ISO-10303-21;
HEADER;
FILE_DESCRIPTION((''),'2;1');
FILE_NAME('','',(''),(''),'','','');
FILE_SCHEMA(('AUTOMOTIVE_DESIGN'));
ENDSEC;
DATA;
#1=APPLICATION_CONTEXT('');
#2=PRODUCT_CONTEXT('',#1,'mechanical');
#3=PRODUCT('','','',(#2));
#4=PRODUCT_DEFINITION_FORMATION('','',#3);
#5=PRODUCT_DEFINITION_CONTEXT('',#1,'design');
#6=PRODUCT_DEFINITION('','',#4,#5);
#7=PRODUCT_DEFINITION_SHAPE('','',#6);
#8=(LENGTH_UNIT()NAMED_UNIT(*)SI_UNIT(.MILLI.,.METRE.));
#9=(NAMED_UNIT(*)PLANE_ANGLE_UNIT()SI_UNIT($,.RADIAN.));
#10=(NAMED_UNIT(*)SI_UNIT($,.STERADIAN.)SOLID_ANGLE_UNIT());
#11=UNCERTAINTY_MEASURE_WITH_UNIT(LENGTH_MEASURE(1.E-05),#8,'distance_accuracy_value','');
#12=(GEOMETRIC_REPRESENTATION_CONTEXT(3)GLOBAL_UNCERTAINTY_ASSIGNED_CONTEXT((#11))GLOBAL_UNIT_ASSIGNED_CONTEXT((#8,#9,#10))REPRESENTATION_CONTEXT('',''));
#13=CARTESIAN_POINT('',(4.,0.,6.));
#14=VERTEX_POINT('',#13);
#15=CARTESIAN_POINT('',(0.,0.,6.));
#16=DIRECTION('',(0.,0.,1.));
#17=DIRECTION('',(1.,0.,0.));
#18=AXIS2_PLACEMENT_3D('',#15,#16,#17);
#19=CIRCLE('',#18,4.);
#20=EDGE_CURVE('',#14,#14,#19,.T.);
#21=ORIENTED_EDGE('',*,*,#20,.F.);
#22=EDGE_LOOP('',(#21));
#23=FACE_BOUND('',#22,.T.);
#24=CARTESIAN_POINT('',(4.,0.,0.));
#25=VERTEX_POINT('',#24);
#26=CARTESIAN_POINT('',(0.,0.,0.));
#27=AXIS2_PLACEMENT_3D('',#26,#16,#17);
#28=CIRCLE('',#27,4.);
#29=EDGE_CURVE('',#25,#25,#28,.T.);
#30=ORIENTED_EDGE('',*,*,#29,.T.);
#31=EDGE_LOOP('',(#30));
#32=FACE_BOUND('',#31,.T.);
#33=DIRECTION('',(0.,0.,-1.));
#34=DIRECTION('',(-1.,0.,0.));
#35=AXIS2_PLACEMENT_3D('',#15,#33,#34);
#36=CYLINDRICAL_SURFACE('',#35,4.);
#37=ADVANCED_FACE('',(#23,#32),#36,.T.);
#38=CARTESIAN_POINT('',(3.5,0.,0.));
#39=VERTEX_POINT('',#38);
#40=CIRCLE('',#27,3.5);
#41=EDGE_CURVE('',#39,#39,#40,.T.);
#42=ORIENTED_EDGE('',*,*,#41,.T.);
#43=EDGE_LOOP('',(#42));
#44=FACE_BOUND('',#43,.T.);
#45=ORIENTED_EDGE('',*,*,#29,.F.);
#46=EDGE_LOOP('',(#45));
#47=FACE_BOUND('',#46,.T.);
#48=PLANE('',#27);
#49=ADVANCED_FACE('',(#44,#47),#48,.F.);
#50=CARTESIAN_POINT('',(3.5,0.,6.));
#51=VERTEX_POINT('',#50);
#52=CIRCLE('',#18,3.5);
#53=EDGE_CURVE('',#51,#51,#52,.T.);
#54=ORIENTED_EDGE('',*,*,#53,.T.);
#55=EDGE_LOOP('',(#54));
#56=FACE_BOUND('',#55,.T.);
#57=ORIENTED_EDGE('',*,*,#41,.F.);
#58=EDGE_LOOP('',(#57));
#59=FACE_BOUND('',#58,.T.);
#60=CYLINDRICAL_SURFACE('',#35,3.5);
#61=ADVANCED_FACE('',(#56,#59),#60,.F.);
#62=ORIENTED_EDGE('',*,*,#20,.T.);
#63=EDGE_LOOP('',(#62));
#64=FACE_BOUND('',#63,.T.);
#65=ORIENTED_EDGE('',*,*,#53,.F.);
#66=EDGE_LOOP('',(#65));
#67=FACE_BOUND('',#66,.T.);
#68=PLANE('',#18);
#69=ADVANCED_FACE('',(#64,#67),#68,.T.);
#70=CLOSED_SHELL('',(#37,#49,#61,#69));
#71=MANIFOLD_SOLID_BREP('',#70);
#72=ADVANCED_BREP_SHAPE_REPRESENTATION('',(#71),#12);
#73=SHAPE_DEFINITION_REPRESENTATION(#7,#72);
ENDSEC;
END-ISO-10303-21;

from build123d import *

# Parameters (mm, degrees)
SKETCH1_R           = 4
SKETCH1_R_2         = 3.5
BOSS_EXTRUDE1_DEPTH = 6


with BuildPart() as part:
    # Sketch1 → Boss-Extrude1 (new body)
    with BuildSketch(Plane.XY):
        Circle(SKETCH1_R)
        Circle(SKETCH1_R_2, mode=Mode.SUBTRACT)
    extrude(amount=BOSS_EXTRUDE1_DEPTH)


solid = part.part
